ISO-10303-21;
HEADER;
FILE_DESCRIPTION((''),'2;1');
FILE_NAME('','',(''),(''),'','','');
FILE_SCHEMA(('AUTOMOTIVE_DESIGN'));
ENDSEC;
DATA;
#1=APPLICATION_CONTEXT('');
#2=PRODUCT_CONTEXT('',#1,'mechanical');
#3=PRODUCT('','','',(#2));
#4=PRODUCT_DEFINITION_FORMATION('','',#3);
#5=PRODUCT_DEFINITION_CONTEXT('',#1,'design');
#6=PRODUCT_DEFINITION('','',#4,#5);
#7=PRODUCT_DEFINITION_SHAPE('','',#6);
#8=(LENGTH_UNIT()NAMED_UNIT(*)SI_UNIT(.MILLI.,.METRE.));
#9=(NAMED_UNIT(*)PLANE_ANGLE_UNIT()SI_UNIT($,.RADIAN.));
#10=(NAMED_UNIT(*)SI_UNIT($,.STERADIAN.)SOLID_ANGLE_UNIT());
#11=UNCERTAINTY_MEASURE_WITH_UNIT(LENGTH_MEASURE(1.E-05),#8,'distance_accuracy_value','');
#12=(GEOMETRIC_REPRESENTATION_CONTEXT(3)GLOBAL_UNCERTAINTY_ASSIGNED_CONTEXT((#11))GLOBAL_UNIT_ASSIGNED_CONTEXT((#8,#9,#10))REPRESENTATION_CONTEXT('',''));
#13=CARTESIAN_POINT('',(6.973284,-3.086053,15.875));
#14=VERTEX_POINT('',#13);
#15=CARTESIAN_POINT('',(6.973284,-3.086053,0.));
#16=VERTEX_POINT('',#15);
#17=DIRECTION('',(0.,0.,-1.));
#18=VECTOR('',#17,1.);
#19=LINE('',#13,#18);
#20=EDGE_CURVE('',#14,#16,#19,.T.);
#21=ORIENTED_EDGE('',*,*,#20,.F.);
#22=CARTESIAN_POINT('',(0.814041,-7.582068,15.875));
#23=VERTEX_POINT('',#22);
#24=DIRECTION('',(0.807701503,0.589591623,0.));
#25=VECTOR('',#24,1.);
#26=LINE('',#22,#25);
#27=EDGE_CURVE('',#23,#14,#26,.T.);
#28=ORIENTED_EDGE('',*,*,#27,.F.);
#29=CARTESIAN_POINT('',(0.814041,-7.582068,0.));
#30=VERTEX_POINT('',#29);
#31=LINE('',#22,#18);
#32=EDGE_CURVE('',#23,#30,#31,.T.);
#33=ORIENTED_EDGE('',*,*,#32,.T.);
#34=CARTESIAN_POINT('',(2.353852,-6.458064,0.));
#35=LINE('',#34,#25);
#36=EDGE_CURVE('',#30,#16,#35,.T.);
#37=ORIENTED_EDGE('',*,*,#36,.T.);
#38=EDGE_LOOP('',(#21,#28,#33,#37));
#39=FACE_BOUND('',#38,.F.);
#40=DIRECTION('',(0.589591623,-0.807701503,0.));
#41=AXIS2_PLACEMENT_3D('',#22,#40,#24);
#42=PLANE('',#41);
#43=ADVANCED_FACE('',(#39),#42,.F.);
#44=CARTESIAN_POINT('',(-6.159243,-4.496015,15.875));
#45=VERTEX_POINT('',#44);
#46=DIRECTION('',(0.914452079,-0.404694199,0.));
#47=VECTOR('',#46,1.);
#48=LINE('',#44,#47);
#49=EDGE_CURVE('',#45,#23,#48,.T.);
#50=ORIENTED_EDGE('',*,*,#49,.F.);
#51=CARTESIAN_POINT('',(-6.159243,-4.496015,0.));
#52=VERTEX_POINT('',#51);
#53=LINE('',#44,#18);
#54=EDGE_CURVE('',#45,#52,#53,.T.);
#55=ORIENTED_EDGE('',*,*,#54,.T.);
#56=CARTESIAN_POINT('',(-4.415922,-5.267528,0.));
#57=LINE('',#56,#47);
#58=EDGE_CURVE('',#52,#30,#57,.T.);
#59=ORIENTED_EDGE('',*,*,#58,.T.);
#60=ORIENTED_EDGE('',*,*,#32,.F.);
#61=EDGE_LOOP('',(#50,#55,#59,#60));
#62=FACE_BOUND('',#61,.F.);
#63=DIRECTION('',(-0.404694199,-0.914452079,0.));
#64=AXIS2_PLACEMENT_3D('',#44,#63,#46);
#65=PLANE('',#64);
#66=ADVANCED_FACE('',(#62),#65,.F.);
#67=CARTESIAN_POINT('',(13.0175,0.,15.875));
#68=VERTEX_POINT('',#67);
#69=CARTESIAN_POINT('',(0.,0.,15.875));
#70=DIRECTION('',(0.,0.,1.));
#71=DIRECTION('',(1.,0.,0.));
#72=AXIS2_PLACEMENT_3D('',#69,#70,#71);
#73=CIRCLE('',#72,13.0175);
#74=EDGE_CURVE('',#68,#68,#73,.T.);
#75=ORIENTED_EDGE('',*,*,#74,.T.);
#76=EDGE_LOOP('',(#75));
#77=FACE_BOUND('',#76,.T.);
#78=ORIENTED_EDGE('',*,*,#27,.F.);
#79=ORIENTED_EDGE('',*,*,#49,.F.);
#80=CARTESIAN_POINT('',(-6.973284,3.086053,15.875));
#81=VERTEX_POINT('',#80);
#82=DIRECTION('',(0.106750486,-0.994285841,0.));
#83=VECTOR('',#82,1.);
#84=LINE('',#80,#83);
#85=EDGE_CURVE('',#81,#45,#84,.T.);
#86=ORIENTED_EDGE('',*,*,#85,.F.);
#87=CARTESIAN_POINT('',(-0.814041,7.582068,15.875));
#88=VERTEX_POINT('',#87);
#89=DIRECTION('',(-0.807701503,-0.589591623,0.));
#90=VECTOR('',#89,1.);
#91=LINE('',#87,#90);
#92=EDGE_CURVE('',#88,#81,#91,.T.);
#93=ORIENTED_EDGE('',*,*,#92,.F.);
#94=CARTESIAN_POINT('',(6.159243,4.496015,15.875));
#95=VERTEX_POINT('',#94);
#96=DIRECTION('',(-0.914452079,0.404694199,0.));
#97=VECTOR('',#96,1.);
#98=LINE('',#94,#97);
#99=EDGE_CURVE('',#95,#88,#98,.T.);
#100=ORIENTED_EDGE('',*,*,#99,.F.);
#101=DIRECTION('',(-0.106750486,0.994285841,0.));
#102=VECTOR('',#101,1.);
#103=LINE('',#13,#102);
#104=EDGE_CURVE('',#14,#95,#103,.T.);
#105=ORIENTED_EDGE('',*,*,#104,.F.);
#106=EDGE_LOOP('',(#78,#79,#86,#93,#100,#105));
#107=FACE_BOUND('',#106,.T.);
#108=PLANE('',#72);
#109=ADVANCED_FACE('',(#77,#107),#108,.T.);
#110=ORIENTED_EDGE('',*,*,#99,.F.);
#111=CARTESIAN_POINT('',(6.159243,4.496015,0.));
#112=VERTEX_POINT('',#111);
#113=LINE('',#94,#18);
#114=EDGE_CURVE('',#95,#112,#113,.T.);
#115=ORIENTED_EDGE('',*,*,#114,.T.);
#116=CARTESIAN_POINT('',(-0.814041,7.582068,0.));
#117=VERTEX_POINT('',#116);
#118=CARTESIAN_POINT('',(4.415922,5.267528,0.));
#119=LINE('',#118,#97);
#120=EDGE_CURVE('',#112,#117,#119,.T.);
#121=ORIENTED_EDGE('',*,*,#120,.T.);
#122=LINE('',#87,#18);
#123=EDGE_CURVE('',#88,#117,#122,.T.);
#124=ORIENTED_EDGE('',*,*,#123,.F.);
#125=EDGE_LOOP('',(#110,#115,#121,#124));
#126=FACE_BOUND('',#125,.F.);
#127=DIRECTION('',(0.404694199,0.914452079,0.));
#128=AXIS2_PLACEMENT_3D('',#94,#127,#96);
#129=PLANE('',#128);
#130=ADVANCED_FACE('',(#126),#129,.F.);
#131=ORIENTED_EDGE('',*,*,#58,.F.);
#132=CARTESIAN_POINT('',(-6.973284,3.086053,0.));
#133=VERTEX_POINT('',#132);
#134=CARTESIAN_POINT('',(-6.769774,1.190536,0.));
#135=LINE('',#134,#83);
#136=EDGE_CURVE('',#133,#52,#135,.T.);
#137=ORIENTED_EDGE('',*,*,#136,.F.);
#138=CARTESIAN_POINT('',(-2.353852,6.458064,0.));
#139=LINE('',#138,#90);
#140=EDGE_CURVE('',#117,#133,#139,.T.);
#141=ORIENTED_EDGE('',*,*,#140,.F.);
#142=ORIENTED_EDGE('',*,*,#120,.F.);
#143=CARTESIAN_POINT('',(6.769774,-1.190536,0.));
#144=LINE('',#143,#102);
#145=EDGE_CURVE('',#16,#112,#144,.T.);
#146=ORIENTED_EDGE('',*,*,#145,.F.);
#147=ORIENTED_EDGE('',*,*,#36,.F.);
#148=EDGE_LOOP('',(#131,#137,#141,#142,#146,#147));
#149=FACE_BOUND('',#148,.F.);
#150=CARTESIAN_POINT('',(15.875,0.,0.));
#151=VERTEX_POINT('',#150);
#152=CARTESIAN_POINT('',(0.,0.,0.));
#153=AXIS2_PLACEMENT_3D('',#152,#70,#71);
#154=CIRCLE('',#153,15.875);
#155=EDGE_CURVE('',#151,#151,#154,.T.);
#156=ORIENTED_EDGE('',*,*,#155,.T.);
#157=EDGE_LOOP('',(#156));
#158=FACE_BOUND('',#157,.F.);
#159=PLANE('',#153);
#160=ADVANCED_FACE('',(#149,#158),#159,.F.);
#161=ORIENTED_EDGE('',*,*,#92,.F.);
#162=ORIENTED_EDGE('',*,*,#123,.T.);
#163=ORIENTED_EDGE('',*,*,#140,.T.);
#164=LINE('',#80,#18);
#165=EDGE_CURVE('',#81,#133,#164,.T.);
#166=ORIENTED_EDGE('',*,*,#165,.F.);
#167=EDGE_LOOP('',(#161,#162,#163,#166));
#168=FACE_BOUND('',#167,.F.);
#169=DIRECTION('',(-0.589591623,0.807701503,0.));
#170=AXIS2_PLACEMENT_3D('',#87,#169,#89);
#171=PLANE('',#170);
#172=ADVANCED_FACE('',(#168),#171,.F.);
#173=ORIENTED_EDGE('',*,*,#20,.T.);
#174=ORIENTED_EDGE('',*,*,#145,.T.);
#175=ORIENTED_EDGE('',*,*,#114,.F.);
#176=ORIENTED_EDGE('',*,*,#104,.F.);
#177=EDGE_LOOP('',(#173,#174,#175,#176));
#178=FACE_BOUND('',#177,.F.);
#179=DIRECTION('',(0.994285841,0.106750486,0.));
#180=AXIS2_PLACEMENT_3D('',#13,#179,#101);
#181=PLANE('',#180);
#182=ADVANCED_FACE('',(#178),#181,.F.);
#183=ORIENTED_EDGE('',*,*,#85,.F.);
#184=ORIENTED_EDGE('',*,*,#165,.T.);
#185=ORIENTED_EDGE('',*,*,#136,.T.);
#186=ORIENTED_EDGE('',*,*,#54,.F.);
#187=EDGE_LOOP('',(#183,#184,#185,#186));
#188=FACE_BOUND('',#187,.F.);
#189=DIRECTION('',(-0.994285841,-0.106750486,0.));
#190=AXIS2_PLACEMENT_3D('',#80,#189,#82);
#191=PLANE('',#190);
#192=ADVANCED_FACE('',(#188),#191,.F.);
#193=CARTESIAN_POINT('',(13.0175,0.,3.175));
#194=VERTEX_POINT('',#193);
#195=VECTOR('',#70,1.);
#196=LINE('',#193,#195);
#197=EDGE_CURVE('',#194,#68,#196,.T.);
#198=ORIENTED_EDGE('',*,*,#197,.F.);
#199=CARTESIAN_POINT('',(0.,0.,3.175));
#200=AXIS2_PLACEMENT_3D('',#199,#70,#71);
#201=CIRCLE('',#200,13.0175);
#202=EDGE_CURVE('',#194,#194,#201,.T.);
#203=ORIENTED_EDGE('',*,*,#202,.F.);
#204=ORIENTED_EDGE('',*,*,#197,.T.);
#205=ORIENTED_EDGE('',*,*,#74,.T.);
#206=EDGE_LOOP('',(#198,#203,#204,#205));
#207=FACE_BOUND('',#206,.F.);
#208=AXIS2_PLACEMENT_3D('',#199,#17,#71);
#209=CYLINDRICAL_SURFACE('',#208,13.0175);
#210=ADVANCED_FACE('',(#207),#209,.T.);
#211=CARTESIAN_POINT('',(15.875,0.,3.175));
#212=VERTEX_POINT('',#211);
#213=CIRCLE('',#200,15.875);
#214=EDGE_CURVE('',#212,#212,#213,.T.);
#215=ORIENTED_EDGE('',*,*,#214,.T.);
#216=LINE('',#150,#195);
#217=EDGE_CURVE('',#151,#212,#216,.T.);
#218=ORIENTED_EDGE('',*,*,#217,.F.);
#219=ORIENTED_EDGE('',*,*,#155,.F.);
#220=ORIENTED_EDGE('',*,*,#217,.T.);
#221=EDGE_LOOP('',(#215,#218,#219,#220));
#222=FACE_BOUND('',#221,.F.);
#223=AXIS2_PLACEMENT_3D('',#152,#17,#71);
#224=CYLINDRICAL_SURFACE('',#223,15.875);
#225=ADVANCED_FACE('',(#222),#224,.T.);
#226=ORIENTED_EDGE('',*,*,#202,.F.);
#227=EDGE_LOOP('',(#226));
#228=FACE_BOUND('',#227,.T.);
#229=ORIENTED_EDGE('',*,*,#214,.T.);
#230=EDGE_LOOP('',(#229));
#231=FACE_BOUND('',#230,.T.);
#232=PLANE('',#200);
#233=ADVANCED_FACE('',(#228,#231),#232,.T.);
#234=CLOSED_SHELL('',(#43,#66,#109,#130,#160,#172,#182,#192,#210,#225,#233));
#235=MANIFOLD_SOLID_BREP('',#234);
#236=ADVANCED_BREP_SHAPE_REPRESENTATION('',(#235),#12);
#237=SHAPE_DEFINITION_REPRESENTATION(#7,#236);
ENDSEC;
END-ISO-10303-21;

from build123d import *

# Parameters (mm, degrees)
F0_R     = 15.875
F1_DEPTH = 3.175
F2_R     = 13.0175
F3_DEPTH = 12.7
F5_DEPTH = 15.876


with BuildPart() as f1:
    # F0 (on Top) → F1 (new body)
    with BuildSketch(Plane.XY):
        Circle(F0_R)
    extrude(amount=F1_DEPTH)

    # F2 (on face) → F3 (join)
    with BuildSketch(Plane.XY.offset(3.175)):
        Circle(F2_R)
    extrude(amount=F3_DEPTH)

    # F4 (on face) → F5 (cut, through all)
    with BuildSketch(Plane.XY.offset(15.875)):
        Polygon((6.159243, 4.496015), (-0.814041, 7.582068), (-6.973284, 3.086053), (-6.159243, -4.496015), (0.814041, -7.582068), (6.973284, -3.086053), align=None)
    extrude(amount=-F5_DEPTH, mode=Mode.SUBTRACT)


solid = f1.part
